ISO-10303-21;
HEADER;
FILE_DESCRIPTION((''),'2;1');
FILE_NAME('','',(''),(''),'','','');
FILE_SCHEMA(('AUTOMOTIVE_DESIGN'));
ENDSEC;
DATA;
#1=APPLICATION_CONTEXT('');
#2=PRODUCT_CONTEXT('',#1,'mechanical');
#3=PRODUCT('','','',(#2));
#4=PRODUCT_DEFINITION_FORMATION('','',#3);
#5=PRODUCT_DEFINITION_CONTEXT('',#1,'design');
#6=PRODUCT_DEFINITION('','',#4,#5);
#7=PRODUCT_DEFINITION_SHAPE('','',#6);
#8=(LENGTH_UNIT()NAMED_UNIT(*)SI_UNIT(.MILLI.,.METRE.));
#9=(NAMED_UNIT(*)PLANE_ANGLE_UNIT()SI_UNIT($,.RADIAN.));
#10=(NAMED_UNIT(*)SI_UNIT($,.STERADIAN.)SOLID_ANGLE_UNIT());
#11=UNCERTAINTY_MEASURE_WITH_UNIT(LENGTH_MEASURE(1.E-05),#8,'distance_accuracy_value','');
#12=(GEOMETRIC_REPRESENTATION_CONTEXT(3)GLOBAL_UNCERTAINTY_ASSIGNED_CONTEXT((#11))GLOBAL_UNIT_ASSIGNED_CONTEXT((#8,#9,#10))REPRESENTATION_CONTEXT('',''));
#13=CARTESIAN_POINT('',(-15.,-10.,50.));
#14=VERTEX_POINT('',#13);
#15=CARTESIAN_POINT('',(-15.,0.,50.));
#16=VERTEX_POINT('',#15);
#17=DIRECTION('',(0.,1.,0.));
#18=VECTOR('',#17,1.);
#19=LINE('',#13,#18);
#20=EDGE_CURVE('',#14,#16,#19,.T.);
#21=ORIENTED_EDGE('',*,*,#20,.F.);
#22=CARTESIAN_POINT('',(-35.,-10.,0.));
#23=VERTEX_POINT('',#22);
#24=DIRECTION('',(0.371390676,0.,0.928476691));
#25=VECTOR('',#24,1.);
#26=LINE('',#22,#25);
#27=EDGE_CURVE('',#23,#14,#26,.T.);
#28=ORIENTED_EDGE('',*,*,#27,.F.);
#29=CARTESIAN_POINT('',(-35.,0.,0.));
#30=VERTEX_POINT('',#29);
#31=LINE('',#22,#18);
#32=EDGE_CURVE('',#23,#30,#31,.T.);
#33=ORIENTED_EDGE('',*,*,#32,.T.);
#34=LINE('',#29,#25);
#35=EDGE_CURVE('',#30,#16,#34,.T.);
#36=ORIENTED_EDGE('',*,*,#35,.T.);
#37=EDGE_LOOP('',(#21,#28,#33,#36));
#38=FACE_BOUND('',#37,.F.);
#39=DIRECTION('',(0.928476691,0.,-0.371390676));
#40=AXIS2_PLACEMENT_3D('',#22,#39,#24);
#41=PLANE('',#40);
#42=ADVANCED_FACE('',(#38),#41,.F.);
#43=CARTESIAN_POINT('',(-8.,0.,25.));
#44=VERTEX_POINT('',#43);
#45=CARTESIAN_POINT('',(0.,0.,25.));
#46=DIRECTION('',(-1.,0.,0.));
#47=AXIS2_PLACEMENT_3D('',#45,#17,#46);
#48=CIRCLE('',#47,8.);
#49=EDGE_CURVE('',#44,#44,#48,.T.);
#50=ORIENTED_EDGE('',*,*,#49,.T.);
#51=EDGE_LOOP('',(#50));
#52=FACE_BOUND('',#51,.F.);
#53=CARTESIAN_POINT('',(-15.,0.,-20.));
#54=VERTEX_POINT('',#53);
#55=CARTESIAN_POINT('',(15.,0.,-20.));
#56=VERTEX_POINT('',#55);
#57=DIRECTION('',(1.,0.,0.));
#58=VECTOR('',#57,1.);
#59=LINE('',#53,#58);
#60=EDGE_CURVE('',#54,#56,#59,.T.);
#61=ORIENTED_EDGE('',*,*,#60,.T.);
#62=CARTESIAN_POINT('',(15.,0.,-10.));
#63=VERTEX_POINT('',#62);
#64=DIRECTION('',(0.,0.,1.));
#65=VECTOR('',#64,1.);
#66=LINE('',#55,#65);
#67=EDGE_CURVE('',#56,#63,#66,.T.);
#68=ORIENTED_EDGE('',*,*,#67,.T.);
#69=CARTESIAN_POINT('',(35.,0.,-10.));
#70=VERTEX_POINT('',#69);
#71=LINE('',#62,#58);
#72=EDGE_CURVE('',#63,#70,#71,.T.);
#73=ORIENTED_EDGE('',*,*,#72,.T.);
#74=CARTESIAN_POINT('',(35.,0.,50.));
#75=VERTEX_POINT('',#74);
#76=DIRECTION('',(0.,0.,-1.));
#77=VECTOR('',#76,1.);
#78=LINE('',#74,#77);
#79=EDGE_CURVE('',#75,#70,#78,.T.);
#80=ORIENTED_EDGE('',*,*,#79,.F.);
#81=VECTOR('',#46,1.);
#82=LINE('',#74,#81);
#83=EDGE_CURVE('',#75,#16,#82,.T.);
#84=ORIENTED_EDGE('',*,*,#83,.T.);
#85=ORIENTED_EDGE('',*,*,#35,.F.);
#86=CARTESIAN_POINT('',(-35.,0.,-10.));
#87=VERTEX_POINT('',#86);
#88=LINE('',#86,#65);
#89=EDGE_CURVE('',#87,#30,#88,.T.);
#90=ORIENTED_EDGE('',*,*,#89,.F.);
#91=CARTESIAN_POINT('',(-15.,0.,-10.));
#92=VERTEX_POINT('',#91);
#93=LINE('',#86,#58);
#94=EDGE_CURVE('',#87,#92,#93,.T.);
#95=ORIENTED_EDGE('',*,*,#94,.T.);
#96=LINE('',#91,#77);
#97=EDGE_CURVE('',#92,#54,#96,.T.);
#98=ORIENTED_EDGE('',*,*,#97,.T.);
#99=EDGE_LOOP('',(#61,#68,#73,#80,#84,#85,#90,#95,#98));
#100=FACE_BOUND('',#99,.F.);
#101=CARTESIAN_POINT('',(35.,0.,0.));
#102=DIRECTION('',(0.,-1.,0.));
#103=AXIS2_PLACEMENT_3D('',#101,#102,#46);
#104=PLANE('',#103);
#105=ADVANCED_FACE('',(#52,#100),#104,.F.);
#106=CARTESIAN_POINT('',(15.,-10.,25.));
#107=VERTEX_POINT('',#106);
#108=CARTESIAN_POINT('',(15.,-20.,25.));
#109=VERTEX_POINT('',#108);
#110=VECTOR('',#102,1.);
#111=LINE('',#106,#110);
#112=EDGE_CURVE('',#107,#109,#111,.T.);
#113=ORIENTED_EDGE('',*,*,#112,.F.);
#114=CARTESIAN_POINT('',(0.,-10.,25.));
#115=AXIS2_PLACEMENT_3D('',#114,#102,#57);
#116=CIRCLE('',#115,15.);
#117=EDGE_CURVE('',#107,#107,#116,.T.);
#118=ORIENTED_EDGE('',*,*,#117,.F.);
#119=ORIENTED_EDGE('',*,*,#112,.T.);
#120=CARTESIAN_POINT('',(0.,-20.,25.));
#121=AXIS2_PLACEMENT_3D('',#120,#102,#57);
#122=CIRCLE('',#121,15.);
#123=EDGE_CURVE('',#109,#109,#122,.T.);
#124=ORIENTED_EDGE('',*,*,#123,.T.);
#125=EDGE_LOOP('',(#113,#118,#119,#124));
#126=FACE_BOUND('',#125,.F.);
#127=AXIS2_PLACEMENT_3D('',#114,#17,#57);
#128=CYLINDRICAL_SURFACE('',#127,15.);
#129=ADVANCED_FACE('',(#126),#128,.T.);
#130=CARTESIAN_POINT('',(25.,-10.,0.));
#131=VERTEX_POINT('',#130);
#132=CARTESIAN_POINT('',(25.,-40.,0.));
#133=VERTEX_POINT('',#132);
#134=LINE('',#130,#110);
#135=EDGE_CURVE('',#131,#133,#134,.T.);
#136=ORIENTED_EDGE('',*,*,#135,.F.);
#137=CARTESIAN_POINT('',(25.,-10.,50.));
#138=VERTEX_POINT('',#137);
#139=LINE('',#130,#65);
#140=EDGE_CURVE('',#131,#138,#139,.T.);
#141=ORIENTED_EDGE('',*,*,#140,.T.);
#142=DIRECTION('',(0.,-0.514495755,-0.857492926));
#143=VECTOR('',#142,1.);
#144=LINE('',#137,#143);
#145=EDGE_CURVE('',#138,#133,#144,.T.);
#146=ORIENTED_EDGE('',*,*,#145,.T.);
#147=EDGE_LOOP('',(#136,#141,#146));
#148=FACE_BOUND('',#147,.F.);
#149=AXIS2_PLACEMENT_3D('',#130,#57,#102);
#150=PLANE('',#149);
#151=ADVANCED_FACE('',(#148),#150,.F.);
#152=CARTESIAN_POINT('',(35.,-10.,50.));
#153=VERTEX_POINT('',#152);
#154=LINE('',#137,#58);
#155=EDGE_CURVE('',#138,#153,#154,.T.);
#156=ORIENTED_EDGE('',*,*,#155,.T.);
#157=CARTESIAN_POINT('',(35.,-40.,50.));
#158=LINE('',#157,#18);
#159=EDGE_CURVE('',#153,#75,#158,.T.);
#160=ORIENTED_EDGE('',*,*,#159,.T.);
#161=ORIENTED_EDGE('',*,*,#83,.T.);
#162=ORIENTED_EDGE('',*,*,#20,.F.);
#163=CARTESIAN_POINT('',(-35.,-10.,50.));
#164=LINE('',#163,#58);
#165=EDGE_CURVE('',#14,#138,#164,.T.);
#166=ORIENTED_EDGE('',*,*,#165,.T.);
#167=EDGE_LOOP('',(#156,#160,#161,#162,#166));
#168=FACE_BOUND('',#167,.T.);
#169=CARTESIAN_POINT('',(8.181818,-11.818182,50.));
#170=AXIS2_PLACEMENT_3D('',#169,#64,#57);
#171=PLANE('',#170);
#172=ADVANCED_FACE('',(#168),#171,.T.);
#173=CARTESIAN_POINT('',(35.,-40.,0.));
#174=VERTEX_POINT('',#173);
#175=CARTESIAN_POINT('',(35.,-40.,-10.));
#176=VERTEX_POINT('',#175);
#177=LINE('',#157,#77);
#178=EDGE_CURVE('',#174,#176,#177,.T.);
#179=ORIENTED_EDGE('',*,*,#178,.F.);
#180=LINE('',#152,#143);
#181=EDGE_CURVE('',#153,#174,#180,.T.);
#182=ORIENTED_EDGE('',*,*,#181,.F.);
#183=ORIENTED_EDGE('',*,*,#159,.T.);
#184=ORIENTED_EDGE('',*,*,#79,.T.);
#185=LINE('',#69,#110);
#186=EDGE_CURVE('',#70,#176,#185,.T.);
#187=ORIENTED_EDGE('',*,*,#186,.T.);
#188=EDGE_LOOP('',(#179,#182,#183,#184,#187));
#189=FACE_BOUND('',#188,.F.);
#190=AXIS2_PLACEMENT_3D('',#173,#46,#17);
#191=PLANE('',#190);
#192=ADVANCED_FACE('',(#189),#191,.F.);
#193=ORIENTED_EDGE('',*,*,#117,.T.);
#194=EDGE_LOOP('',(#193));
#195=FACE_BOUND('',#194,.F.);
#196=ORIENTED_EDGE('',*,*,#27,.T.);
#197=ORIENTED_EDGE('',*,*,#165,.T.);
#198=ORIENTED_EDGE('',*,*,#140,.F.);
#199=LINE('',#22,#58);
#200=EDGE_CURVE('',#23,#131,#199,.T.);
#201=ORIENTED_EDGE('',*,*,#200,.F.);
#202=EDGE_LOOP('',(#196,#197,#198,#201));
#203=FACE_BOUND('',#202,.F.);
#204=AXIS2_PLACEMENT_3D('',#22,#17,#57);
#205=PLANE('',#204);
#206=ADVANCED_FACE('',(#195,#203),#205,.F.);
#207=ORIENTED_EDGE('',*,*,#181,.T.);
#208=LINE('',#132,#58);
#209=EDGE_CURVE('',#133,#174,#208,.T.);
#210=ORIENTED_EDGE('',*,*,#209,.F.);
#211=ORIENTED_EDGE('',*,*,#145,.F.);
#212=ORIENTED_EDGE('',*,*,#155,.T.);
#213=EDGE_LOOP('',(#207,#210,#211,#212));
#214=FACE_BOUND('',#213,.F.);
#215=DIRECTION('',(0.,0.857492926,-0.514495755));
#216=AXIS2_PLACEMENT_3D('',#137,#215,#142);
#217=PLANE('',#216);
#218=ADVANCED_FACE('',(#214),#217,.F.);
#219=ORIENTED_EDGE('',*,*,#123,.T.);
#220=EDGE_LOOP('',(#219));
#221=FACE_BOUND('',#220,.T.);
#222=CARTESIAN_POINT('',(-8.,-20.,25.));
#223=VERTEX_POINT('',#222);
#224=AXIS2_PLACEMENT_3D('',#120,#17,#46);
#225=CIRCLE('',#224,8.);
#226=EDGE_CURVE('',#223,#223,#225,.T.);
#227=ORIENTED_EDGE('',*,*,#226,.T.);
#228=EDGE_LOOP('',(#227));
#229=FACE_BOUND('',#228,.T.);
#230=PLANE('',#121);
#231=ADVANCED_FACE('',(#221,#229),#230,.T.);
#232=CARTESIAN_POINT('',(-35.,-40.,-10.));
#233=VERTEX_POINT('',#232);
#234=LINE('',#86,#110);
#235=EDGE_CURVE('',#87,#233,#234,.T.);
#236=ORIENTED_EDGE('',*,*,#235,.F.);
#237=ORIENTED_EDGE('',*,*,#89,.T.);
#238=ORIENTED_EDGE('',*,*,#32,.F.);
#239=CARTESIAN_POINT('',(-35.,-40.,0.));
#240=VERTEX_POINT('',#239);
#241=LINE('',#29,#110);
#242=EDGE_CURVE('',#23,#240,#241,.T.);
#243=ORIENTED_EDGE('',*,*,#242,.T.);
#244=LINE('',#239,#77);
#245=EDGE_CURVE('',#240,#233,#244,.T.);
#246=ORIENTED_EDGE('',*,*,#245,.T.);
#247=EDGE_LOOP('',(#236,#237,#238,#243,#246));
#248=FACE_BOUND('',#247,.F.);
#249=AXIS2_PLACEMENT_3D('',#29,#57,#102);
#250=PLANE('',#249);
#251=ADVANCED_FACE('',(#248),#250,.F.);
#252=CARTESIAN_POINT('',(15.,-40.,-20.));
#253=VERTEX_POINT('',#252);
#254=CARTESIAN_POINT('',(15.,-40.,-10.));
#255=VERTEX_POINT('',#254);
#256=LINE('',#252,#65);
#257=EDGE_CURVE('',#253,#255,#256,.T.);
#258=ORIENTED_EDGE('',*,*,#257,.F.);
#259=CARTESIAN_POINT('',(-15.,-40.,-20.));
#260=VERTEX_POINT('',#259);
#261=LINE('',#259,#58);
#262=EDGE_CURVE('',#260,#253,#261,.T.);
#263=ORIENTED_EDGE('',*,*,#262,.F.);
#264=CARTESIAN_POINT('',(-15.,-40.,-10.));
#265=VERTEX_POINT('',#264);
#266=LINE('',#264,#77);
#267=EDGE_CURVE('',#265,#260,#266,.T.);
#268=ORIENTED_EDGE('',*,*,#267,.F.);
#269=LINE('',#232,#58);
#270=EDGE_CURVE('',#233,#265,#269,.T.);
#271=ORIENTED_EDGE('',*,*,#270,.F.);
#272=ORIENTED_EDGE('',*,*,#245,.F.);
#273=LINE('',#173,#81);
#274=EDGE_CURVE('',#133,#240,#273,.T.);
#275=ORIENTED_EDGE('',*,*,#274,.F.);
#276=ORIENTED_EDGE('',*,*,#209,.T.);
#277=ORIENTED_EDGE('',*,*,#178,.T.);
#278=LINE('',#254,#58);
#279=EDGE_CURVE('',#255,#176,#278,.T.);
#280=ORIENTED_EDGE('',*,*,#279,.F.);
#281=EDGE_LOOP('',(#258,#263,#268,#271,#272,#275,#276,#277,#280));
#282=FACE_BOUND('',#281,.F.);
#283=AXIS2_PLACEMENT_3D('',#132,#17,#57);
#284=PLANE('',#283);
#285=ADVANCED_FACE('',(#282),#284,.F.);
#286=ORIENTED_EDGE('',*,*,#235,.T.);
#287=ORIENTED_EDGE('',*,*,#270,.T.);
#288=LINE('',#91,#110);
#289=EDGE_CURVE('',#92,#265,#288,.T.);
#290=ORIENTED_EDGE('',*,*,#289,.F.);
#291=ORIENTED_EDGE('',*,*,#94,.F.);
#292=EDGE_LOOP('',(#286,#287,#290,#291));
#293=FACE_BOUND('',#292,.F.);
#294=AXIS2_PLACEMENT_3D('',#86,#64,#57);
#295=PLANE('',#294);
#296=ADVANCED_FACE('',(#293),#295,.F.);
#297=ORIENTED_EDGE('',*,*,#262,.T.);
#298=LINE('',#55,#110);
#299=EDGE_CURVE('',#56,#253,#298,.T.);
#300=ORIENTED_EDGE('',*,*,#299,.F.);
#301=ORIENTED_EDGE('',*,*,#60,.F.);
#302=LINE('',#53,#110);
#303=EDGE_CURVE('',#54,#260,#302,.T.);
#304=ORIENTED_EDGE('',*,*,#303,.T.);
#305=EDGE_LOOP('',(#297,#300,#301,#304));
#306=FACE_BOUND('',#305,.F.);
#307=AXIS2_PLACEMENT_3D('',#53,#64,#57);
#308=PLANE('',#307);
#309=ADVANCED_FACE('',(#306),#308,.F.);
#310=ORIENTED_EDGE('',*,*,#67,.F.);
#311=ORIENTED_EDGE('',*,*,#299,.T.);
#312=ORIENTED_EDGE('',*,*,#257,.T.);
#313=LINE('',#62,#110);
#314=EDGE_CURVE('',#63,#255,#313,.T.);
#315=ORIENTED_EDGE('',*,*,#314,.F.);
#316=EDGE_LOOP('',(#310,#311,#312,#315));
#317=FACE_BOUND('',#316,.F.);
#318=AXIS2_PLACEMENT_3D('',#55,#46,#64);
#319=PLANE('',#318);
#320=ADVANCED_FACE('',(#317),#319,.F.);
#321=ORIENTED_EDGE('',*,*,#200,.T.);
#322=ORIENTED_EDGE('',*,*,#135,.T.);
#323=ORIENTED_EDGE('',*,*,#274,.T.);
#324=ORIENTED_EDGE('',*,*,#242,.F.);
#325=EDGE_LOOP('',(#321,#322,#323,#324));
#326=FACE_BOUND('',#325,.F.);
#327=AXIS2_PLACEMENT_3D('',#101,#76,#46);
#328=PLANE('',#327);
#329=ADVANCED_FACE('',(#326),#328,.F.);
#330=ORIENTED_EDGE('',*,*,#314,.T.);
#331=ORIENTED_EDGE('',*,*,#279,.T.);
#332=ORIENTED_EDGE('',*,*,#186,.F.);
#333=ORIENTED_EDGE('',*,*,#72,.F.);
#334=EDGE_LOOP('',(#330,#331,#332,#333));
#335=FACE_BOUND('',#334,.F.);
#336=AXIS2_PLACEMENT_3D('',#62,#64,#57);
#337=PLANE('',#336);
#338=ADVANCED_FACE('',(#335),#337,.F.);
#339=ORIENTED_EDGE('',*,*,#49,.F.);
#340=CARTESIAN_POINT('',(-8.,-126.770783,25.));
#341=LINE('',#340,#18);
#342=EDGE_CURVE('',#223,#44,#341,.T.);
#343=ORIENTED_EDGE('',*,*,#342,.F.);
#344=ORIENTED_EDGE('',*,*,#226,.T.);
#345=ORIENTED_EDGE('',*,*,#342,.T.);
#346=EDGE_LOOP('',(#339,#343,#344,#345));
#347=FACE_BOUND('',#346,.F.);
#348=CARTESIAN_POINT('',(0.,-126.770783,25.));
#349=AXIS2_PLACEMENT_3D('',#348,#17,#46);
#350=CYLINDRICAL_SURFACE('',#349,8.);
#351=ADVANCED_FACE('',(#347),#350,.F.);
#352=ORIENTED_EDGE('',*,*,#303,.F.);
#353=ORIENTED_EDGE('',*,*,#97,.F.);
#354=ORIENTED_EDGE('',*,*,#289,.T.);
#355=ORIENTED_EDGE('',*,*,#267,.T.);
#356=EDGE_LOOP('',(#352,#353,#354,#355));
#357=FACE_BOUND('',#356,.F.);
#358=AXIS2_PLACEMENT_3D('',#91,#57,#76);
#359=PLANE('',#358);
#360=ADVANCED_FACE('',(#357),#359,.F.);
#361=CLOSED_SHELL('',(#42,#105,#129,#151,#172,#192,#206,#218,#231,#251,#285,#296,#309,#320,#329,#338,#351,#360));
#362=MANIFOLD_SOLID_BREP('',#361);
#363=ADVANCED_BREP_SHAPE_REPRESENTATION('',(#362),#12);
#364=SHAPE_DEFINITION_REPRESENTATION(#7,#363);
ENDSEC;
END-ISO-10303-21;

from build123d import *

# Parameters (mm, degrees)
F1_DEPTH = 40
F3_DEPTH = 50
F5_DEPTH = 10
F7_DEPTH = 10
F8_R     = 15
F9_DEPTH = 10
F11_D    = 16


with BuildPart() as f1:
    # F0 (on Front) → F1 (new body)
    with BuildSketch(Plane.XZ):
        Polygon((35, 0), (-35, 0), (-35, -10), (-15, -10), (-15, -20), (15, -20), (15, -10), (35, -10), align=None)
    extrude(amount=F1_DEPTH)

    # F2 (on face) → F3 (join)
    with BuildSketch(Plane.XY):
        Polygon((35, 0), (-35, 0), (-35, -10), (25, -10), (25, -40), (35, -40), align=None)
    extrude(amount=F3_DEPTH)

    # F4 (on face) → F5 (cut, through all)
    with BuildSketch(Plane.XZ.offset(10)):
        Polygon((-15, 50), (-35, 50), (-35, 0), align=None)
    extrude(amount=-F5_DEPTH, mode=Mode.SUBTRACT)

    # F6 (on face) → F7 (cut, through all)
    with BuildSketch(Plane(origin=(25, 0, 0), x_dir=(0, -1, 0), z_dir=(-1, 0, 0))):
        Polygon((40, 50), (10, 50), (40, 0), align=None)
    extrude(amount=-F7_DEPTH, mode=Mode.SUBTRACT)

    # F8 (on face) → F9 (join)
    with BuildSketch(Plane.XZ.offset(10)):
        with Locations((0, 25)):
            Circle(F8_R)
    extrude(amount=F9_DEPTH)

    # F11 (through all)
    with Locations(Plane.XZ.offset(20)):
        with Locations((0, 25)):
            Hole(F11_D / 2)


solid = f1.part
